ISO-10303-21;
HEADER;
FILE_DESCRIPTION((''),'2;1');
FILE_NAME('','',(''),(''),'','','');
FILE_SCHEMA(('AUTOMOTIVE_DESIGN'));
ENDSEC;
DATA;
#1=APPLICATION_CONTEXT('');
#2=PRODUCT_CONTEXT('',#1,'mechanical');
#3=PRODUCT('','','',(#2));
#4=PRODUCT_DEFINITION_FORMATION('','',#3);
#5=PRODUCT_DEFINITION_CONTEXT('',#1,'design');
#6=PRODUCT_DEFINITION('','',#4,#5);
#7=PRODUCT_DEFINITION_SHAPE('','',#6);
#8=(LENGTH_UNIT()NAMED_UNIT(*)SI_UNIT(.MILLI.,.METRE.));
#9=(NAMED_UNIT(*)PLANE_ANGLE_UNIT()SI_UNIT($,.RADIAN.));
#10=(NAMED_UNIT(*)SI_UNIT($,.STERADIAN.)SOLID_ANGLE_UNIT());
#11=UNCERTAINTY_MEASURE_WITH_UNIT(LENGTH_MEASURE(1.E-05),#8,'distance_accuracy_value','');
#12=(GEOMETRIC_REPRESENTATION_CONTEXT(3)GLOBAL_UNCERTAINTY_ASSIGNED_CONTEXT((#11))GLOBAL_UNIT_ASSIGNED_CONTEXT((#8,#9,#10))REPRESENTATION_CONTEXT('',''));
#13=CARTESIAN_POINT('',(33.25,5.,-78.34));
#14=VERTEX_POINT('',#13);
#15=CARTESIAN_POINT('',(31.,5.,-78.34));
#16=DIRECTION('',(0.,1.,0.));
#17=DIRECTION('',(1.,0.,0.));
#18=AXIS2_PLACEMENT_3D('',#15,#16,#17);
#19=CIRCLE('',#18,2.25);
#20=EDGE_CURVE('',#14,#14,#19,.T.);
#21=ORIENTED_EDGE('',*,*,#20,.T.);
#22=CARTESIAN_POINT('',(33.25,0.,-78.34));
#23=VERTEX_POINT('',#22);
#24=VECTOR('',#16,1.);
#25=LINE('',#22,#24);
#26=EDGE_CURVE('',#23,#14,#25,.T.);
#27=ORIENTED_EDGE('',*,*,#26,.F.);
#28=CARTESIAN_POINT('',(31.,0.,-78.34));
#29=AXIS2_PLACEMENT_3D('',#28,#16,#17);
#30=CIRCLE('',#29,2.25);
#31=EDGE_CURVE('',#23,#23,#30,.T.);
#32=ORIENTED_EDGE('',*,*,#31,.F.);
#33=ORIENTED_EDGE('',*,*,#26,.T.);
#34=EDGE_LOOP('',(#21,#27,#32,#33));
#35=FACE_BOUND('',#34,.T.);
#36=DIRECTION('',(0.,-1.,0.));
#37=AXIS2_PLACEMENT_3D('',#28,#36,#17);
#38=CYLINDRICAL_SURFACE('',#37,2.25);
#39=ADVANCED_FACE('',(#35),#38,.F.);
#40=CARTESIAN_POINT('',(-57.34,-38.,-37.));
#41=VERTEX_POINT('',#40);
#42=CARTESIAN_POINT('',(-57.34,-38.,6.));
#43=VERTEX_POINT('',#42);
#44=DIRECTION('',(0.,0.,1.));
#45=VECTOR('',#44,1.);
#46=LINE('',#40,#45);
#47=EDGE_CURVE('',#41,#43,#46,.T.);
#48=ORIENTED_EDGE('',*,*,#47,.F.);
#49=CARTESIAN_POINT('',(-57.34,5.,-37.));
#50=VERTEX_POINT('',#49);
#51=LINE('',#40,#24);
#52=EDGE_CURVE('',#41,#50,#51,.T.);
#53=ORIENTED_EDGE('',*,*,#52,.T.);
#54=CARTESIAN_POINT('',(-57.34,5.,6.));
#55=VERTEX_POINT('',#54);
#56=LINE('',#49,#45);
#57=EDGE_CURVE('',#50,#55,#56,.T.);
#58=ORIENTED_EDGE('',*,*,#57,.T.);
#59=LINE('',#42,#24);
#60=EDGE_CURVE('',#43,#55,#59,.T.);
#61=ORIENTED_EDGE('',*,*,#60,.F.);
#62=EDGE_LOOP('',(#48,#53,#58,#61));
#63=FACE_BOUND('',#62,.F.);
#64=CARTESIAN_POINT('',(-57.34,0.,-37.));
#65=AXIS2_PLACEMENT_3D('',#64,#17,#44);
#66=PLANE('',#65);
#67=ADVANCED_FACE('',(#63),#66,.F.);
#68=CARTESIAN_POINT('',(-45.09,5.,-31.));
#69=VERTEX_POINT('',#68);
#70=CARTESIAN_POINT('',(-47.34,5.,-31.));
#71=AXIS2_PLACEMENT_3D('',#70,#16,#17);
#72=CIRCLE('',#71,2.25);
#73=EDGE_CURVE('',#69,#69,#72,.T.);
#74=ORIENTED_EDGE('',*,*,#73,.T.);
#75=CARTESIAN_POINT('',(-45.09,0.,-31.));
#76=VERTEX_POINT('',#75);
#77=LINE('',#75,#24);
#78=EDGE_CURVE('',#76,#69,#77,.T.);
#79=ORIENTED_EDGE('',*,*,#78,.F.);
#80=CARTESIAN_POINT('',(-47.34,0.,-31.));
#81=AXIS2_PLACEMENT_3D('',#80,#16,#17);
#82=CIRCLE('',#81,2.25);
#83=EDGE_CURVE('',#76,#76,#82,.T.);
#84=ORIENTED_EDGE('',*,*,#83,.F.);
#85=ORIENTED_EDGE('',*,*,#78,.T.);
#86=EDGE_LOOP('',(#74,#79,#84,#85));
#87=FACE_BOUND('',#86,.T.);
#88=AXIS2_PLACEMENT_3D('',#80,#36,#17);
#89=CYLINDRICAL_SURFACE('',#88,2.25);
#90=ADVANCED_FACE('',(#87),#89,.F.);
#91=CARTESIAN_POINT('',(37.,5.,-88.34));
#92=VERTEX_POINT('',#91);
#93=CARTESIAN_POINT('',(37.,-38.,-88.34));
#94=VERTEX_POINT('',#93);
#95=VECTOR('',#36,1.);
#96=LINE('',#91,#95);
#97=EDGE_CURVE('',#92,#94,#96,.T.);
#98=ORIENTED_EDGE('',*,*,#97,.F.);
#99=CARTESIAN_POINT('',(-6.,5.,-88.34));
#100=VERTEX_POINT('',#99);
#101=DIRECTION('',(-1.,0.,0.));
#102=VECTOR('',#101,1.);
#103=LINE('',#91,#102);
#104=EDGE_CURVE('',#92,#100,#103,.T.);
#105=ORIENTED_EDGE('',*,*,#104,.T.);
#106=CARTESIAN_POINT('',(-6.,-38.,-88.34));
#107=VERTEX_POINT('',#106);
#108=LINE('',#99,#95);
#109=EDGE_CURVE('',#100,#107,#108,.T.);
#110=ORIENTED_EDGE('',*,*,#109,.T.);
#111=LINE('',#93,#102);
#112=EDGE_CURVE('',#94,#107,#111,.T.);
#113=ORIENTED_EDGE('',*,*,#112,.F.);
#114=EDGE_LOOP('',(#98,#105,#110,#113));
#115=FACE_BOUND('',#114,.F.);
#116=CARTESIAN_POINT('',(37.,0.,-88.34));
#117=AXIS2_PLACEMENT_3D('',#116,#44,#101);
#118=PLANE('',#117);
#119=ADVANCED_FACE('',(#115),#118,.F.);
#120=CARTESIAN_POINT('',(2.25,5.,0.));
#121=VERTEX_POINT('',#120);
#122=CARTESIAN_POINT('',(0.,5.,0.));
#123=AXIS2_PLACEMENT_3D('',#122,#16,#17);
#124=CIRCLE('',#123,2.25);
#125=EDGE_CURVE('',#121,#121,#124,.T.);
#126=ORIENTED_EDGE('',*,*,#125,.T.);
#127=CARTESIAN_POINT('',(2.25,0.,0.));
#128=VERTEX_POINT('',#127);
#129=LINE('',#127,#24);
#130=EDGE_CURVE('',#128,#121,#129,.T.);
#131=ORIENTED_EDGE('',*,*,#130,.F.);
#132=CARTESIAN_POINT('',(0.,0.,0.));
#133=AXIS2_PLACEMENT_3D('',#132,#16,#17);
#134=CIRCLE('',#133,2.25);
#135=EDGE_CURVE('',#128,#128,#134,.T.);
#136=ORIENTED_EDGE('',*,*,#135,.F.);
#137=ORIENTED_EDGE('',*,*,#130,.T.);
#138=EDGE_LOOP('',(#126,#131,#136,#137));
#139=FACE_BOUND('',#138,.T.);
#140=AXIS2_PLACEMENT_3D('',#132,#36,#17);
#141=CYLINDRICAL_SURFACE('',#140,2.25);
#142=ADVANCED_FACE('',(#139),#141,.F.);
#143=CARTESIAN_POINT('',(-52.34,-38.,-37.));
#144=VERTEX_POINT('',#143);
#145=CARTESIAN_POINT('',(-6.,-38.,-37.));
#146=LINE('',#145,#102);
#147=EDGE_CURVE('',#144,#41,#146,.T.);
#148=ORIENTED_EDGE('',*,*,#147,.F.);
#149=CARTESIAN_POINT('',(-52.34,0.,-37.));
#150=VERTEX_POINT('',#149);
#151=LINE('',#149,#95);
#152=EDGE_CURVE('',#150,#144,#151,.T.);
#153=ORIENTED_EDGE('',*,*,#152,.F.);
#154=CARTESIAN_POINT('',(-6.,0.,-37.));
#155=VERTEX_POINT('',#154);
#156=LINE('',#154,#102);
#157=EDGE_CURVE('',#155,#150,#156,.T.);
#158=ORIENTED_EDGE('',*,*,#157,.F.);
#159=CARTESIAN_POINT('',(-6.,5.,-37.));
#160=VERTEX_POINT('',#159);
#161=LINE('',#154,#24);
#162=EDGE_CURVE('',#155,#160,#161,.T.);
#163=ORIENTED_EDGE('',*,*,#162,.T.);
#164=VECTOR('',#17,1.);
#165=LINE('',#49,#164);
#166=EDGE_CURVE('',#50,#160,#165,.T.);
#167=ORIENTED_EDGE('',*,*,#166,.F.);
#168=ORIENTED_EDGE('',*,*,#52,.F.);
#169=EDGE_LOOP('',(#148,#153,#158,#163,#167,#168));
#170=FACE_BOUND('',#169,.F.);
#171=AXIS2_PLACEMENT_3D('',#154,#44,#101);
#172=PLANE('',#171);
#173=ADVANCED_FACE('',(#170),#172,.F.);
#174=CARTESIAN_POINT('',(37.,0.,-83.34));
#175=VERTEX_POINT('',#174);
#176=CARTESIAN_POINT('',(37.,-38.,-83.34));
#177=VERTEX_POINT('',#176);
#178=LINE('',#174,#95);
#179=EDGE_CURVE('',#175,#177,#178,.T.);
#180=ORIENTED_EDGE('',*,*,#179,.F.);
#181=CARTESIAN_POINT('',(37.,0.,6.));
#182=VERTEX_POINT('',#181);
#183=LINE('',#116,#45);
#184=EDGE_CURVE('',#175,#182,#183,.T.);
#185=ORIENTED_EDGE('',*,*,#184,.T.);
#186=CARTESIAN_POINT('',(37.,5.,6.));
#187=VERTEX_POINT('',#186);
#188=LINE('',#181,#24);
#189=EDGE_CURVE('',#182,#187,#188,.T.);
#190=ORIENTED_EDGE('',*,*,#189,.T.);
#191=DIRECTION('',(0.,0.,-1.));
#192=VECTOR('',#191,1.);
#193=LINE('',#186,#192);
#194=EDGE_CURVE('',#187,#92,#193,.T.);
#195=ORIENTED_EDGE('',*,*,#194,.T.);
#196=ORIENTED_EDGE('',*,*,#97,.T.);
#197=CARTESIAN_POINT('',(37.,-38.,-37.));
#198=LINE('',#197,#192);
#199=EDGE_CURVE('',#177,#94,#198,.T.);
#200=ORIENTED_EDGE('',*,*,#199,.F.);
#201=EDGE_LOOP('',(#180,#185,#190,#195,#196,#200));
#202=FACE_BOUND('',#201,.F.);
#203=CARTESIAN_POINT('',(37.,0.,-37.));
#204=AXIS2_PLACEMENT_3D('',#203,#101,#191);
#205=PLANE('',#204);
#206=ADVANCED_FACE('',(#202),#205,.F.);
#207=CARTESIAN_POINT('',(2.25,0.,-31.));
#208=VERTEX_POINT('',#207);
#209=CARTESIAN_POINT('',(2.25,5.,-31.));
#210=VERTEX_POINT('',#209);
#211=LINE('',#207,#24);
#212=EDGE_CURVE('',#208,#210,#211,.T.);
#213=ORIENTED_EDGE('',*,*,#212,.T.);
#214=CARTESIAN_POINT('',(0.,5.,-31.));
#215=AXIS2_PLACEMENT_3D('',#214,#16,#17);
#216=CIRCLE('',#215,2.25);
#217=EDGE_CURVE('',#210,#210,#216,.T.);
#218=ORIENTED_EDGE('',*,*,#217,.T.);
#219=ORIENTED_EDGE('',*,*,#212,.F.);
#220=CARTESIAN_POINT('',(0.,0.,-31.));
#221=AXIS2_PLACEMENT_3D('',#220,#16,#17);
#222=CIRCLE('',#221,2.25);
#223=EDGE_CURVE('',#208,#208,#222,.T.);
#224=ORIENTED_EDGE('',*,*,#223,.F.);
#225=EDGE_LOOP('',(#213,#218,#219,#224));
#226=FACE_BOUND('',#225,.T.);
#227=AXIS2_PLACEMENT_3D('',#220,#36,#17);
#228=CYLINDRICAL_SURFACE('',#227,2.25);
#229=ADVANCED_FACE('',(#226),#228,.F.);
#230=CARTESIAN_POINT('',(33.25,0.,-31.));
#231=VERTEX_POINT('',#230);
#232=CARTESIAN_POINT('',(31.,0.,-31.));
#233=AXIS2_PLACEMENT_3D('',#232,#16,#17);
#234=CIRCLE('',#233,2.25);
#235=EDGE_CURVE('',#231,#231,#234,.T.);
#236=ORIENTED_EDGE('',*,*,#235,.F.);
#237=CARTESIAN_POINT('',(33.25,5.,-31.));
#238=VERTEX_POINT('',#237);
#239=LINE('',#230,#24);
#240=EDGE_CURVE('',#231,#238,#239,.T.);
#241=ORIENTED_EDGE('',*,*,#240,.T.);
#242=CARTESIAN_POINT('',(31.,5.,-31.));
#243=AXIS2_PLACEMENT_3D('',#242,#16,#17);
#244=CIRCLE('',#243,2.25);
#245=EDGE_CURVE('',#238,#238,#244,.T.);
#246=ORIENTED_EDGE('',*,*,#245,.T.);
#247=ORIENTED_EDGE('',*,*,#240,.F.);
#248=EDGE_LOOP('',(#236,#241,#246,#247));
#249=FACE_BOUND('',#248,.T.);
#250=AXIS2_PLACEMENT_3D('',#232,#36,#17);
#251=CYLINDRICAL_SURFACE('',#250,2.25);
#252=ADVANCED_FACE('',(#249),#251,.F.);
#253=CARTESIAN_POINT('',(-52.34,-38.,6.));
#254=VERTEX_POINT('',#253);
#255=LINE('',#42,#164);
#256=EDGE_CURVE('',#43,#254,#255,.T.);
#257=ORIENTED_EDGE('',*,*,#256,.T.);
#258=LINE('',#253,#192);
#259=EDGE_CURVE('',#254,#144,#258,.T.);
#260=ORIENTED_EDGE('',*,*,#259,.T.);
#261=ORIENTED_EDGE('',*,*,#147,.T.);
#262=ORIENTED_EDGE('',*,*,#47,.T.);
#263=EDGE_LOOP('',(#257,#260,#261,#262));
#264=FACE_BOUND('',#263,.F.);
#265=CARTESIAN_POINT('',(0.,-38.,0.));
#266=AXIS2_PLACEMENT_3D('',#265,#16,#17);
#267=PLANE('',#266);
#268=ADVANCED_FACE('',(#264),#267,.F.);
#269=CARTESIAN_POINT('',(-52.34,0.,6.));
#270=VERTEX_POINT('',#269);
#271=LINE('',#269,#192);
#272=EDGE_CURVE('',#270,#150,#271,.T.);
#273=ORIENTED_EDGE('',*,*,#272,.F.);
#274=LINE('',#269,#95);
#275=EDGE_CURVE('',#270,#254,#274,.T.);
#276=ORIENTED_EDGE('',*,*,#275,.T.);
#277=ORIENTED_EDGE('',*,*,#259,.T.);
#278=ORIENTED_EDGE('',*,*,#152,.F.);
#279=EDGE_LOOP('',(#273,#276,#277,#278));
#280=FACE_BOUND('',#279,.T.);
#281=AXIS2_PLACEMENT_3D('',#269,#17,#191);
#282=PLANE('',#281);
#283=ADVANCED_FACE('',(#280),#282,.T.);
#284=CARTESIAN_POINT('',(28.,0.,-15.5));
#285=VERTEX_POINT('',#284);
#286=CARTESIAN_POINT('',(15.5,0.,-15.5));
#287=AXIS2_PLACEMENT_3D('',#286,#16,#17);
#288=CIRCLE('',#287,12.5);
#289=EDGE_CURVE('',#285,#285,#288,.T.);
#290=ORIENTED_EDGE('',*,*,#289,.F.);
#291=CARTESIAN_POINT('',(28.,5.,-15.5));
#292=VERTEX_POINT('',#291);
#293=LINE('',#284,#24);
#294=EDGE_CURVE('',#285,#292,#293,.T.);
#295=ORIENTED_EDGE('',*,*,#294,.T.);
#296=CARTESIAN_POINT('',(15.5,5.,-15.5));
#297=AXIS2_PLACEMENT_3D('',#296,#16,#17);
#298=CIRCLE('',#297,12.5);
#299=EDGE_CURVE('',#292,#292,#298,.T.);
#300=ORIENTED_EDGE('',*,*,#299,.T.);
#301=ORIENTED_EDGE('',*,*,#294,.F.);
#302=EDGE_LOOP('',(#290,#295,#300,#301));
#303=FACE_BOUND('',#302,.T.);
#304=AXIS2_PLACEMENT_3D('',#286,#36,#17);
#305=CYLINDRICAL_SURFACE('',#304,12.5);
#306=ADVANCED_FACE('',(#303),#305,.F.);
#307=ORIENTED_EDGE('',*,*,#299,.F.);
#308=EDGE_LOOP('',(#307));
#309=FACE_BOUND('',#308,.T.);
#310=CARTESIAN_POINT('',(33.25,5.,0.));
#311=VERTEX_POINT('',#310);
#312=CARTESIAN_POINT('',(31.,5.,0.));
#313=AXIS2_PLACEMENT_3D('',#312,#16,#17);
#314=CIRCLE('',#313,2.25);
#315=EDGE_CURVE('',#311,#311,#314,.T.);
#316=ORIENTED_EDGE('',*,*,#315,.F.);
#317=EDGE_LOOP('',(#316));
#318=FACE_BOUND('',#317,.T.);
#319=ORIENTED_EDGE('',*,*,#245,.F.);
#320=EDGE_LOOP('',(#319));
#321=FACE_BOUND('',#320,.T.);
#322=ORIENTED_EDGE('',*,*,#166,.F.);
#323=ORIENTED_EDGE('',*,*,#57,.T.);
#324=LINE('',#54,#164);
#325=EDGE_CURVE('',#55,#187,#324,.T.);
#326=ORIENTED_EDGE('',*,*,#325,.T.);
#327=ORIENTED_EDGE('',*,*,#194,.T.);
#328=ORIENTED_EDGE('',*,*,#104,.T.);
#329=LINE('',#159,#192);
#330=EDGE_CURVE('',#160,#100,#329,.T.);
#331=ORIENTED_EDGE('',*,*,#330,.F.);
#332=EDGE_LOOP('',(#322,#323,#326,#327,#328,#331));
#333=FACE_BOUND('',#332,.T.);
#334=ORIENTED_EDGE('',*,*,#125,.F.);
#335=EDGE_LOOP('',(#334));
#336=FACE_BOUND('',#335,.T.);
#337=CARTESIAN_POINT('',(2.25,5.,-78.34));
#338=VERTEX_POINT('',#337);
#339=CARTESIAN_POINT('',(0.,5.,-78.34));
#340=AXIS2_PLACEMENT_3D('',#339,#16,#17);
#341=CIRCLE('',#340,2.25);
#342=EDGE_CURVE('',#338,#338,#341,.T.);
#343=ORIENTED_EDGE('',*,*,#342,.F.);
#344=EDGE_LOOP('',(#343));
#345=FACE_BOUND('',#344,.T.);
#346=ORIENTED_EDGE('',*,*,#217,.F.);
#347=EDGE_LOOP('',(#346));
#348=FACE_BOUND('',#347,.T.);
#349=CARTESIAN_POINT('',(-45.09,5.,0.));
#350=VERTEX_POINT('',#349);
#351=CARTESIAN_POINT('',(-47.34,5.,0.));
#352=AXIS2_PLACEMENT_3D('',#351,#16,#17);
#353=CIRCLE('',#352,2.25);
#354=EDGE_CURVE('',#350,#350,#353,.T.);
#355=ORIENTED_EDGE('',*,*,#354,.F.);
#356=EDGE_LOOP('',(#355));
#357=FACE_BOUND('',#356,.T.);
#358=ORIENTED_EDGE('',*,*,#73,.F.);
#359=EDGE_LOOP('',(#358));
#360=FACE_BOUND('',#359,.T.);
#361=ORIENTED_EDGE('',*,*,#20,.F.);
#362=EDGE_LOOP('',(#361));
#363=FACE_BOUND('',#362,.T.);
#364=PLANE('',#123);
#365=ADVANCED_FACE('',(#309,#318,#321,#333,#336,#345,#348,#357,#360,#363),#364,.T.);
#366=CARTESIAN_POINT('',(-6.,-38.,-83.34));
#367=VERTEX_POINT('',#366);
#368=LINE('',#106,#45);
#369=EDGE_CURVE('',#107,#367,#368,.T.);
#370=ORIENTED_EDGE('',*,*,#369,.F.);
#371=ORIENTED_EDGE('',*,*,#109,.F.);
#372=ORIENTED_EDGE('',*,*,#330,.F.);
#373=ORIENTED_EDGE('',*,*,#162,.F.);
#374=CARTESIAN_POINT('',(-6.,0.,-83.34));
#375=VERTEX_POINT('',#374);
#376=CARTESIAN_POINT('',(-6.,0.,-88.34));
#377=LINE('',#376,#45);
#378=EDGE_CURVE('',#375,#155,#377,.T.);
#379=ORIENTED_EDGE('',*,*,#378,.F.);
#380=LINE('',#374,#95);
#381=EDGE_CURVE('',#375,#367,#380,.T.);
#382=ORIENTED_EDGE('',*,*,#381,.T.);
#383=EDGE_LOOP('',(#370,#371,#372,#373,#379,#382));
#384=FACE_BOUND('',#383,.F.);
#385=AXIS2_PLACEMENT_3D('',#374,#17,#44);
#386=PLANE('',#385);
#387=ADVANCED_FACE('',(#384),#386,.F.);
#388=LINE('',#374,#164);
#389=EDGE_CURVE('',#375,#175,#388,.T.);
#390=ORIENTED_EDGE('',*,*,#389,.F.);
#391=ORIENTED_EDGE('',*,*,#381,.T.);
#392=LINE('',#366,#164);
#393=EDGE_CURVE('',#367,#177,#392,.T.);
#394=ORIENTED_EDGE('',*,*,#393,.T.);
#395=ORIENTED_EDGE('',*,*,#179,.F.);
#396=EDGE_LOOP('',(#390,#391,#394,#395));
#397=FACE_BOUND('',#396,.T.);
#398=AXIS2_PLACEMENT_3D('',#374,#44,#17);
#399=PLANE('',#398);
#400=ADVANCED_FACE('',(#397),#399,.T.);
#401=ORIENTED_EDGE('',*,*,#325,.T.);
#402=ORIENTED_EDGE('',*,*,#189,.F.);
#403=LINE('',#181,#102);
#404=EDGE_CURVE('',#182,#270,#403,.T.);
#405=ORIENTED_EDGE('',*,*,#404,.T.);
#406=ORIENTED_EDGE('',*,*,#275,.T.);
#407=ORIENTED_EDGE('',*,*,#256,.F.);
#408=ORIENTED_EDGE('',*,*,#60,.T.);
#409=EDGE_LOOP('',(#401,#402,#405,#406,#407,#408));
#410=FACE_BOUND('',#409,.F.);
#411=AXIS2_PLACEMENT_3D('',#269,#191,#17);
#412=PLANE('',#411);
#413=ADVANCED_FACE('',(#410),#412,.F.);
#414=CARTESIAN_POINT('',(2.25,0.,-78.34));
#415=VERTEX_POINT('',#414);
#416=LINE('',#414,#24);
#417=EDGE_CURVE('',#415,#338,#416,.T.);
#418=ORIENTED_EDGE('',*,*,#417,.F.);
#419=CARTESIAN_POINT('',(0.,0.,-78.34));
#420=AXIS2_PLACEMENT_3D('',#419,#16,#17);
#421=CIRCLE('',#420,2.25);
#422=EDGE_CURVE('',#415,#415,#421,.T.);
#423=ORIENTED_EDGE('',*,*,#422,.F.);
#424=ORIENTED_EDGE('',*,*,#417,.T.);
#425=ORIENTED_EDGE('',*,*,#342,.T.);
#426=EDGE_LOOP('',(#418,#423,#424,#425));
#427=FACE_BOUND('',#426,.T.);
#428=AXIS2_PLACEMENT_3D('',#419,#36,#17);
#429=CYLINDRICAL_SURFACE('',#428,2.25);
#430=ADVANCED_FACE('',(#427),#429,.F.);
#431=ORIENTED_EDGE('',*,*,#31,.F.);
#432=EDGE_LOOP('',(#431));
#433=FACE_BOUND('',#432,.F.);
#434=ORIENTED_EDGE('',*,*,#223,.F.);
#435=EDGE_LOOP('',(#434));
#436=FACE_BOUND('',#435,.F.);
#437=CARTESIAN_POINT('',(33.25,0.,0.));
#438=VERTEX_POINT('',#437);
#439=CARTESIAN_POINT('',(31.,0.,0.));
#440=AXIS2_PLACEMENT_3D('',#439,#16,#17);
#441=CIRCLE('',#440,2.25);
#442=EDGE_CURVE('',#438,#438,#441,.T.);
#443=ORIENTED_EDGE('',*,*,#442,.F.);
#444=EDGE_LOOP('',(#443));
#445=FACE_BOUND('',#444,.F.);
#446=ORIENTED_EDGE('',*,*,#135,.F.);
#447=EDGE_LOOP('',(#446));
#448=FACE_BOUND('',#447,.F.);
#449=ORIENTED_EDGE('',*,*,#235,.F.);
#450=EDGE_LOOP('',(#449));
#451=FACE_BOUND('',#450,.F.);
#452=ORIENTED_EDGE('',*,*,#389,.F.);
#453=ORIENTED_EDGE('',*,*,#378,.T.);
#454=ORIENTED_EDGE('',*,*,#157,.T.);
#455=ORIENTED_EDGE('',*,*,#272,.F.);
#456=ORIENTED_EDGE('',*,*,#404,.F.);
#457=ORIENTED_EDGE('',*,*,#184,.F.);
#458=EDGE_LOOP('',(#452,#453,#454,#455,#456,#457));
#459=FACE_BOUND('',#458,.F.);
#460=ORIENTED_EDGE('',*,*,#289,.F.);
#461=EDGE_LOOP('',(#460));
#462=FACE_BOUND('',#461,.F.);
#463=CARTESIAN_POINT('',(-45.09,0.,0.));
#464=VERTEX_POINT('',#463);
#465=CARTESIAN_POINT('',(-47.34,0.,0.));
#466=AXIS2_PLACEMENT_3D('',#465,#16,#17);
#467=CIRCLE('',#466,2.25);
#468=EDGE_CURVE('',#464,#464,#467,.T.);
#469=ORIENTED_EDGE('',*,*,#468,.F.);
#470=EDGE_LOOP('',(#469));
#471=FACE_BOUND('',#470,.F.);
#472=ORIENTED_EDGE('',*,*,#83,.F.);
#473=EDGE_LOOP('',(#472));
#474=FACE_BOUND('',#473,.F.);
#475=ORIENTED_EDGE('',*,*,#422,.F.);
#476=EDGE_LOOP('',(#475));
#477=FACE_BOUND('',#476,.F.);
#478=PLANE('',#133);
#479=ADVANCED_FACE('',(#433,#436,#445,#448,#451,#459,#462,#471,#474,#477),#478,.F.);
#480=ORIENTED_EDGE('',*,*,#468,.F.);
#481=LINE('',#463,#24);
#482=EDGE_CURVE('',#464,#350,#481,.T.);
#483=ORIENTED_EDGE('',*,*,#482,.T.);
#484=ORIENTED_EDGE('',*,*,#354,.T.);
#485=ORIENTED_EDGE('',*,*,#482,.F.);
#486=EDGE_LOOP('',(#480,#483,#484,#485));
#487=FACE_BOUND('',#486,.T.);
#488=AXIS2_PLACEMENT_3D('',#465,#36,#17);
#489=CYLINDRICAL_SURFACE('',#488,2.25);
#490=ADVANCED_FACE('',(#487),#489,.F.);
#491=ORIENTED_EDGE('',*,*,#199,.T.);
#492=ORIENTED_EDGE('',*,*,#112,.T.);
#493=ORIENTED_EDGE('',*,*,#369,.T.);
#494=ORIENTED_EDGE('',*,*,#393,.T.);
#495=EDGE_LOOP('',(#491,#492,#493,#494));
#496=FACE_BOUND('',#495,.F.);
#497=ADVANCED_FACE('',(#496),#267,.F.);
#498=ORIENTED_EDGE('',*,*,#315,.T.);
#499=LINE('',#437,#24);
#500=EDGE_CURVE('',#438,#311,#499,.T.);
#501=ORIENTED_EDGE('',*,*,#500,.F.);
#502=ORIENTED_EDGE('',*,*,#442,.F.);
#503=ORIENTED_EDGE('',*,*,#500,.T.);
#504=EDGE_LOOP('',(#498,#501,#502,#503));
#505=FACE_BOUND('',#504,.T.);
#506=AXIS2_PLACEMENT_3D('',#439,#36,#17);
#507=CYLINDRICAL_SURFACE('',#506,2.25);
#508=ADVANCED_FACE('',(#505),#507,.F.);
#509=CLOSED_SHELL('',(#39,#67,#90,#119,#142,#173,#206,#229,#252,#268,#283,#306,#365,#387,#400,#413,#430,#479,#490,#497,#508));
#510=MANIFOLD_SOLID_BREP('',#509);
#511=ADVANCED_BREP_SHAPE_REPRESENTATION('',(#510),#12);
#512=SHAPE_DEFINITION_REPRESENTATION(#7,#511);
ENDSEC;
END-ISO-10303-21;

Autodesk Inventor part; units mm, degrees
ref_plane "YZ Plane" through (0, 0, 0) normal (1, 0, 0) x (0, 1, 0)
ref_plane "XZ Plane" through (0, 0, 0) normal (0, 1, 0) x (-1, 0, 0)
ref_plane "XY Plane" through (0, 0, 0) normal (0, 0, 1) x (1, 0, 0)
sketch "Sketch1" plane through (0, 0, 0) normal (0, 1, 0) x (1, 0, 0)
  circle A0 centre (0, 0) radius 2.25
  circle A1 centre (31, 0) radius 2.25
  circle A2 centre (0, 31) radius 2.25
  circle A3 centre (31, 31) radius 2.25
  circle A4 centre (15.5, 15.5) radius 12.5
  line L0 (-6, 37) -> (37, 37)
  line L1 (37, 37) -> (37, -6)
  line L2 (37, -6) -> (-6, -6)
  line L3 (-6, -6) -> (-6, 37)
  line L4 (-6, 37) -> (37, -6) construction
  line L5 (37, 37) -> (-6, -6) construction
  line L6 (-6, -6) -> (37, -6)
  circle A5 centre (0, 78.34) radius 2.25
  circle A6 centre (31, 78.34) radius 2.25
  line L7 (-6, 37) -> (37, 37)
  line L8 (37, 37) -> (37, 88.34)
  line L9 (37, 88.34) -> (-6, 88.34)
  line L10 (-6, 88.34) -> (-6, 37)
  line L11 (15.5, 15.5) -> (22.827, 15.5)
  line L12 (-6, 83.34) -> (37, 83.34)
  circle A7 centre (-47.34, 0) radius 2.25
  line L13 (-52.34, -6) -> (-52.34, 37)
  line L14 (-57.34, -6) -> (-6, -6)
  line L15 (-57.34, 37) -> (-57.34, -6)
  circle A8 centre (-47.34, 31) radius 2.25
  line L16 (-6, 37) -> (-57.34, 37)
  point P0 (-6, -6)
  point P1 (37, 37)
  dimension "d3" = 4.5
  dimension "d5" = 31
  dimension "d6" = 25
  dimension "d8" = 43
  dimension "d23" = 4.5
  dimension "d24" = 31
  dimension "d25" = 31
  dimension "d26" = 62.84
  dimension "d27" = 6
  dimension "d28" = 10
  dimension "d35" = 5
  dimension "d39" = 90
extrude "Extrusion4" add sketch "Sketch1" along normal blind 5
extrude "Extrusion5" add sketch "Sketch1" against normal blind 38 contours L10 L9 L8 L12 | L13 L14 L15 L16
sketch "Sketch5" plane through (0, 0, 0) normal (0, -1, 0) x (1, 0, 0)
  circle A0 centre (-47.34, 0) radius 2.25 projected
  circle A1 centre (-47.34, 0) radius 4
  point P0 (0, 0)
  dimension "d48" = 8
properties part number "motor_holder"
